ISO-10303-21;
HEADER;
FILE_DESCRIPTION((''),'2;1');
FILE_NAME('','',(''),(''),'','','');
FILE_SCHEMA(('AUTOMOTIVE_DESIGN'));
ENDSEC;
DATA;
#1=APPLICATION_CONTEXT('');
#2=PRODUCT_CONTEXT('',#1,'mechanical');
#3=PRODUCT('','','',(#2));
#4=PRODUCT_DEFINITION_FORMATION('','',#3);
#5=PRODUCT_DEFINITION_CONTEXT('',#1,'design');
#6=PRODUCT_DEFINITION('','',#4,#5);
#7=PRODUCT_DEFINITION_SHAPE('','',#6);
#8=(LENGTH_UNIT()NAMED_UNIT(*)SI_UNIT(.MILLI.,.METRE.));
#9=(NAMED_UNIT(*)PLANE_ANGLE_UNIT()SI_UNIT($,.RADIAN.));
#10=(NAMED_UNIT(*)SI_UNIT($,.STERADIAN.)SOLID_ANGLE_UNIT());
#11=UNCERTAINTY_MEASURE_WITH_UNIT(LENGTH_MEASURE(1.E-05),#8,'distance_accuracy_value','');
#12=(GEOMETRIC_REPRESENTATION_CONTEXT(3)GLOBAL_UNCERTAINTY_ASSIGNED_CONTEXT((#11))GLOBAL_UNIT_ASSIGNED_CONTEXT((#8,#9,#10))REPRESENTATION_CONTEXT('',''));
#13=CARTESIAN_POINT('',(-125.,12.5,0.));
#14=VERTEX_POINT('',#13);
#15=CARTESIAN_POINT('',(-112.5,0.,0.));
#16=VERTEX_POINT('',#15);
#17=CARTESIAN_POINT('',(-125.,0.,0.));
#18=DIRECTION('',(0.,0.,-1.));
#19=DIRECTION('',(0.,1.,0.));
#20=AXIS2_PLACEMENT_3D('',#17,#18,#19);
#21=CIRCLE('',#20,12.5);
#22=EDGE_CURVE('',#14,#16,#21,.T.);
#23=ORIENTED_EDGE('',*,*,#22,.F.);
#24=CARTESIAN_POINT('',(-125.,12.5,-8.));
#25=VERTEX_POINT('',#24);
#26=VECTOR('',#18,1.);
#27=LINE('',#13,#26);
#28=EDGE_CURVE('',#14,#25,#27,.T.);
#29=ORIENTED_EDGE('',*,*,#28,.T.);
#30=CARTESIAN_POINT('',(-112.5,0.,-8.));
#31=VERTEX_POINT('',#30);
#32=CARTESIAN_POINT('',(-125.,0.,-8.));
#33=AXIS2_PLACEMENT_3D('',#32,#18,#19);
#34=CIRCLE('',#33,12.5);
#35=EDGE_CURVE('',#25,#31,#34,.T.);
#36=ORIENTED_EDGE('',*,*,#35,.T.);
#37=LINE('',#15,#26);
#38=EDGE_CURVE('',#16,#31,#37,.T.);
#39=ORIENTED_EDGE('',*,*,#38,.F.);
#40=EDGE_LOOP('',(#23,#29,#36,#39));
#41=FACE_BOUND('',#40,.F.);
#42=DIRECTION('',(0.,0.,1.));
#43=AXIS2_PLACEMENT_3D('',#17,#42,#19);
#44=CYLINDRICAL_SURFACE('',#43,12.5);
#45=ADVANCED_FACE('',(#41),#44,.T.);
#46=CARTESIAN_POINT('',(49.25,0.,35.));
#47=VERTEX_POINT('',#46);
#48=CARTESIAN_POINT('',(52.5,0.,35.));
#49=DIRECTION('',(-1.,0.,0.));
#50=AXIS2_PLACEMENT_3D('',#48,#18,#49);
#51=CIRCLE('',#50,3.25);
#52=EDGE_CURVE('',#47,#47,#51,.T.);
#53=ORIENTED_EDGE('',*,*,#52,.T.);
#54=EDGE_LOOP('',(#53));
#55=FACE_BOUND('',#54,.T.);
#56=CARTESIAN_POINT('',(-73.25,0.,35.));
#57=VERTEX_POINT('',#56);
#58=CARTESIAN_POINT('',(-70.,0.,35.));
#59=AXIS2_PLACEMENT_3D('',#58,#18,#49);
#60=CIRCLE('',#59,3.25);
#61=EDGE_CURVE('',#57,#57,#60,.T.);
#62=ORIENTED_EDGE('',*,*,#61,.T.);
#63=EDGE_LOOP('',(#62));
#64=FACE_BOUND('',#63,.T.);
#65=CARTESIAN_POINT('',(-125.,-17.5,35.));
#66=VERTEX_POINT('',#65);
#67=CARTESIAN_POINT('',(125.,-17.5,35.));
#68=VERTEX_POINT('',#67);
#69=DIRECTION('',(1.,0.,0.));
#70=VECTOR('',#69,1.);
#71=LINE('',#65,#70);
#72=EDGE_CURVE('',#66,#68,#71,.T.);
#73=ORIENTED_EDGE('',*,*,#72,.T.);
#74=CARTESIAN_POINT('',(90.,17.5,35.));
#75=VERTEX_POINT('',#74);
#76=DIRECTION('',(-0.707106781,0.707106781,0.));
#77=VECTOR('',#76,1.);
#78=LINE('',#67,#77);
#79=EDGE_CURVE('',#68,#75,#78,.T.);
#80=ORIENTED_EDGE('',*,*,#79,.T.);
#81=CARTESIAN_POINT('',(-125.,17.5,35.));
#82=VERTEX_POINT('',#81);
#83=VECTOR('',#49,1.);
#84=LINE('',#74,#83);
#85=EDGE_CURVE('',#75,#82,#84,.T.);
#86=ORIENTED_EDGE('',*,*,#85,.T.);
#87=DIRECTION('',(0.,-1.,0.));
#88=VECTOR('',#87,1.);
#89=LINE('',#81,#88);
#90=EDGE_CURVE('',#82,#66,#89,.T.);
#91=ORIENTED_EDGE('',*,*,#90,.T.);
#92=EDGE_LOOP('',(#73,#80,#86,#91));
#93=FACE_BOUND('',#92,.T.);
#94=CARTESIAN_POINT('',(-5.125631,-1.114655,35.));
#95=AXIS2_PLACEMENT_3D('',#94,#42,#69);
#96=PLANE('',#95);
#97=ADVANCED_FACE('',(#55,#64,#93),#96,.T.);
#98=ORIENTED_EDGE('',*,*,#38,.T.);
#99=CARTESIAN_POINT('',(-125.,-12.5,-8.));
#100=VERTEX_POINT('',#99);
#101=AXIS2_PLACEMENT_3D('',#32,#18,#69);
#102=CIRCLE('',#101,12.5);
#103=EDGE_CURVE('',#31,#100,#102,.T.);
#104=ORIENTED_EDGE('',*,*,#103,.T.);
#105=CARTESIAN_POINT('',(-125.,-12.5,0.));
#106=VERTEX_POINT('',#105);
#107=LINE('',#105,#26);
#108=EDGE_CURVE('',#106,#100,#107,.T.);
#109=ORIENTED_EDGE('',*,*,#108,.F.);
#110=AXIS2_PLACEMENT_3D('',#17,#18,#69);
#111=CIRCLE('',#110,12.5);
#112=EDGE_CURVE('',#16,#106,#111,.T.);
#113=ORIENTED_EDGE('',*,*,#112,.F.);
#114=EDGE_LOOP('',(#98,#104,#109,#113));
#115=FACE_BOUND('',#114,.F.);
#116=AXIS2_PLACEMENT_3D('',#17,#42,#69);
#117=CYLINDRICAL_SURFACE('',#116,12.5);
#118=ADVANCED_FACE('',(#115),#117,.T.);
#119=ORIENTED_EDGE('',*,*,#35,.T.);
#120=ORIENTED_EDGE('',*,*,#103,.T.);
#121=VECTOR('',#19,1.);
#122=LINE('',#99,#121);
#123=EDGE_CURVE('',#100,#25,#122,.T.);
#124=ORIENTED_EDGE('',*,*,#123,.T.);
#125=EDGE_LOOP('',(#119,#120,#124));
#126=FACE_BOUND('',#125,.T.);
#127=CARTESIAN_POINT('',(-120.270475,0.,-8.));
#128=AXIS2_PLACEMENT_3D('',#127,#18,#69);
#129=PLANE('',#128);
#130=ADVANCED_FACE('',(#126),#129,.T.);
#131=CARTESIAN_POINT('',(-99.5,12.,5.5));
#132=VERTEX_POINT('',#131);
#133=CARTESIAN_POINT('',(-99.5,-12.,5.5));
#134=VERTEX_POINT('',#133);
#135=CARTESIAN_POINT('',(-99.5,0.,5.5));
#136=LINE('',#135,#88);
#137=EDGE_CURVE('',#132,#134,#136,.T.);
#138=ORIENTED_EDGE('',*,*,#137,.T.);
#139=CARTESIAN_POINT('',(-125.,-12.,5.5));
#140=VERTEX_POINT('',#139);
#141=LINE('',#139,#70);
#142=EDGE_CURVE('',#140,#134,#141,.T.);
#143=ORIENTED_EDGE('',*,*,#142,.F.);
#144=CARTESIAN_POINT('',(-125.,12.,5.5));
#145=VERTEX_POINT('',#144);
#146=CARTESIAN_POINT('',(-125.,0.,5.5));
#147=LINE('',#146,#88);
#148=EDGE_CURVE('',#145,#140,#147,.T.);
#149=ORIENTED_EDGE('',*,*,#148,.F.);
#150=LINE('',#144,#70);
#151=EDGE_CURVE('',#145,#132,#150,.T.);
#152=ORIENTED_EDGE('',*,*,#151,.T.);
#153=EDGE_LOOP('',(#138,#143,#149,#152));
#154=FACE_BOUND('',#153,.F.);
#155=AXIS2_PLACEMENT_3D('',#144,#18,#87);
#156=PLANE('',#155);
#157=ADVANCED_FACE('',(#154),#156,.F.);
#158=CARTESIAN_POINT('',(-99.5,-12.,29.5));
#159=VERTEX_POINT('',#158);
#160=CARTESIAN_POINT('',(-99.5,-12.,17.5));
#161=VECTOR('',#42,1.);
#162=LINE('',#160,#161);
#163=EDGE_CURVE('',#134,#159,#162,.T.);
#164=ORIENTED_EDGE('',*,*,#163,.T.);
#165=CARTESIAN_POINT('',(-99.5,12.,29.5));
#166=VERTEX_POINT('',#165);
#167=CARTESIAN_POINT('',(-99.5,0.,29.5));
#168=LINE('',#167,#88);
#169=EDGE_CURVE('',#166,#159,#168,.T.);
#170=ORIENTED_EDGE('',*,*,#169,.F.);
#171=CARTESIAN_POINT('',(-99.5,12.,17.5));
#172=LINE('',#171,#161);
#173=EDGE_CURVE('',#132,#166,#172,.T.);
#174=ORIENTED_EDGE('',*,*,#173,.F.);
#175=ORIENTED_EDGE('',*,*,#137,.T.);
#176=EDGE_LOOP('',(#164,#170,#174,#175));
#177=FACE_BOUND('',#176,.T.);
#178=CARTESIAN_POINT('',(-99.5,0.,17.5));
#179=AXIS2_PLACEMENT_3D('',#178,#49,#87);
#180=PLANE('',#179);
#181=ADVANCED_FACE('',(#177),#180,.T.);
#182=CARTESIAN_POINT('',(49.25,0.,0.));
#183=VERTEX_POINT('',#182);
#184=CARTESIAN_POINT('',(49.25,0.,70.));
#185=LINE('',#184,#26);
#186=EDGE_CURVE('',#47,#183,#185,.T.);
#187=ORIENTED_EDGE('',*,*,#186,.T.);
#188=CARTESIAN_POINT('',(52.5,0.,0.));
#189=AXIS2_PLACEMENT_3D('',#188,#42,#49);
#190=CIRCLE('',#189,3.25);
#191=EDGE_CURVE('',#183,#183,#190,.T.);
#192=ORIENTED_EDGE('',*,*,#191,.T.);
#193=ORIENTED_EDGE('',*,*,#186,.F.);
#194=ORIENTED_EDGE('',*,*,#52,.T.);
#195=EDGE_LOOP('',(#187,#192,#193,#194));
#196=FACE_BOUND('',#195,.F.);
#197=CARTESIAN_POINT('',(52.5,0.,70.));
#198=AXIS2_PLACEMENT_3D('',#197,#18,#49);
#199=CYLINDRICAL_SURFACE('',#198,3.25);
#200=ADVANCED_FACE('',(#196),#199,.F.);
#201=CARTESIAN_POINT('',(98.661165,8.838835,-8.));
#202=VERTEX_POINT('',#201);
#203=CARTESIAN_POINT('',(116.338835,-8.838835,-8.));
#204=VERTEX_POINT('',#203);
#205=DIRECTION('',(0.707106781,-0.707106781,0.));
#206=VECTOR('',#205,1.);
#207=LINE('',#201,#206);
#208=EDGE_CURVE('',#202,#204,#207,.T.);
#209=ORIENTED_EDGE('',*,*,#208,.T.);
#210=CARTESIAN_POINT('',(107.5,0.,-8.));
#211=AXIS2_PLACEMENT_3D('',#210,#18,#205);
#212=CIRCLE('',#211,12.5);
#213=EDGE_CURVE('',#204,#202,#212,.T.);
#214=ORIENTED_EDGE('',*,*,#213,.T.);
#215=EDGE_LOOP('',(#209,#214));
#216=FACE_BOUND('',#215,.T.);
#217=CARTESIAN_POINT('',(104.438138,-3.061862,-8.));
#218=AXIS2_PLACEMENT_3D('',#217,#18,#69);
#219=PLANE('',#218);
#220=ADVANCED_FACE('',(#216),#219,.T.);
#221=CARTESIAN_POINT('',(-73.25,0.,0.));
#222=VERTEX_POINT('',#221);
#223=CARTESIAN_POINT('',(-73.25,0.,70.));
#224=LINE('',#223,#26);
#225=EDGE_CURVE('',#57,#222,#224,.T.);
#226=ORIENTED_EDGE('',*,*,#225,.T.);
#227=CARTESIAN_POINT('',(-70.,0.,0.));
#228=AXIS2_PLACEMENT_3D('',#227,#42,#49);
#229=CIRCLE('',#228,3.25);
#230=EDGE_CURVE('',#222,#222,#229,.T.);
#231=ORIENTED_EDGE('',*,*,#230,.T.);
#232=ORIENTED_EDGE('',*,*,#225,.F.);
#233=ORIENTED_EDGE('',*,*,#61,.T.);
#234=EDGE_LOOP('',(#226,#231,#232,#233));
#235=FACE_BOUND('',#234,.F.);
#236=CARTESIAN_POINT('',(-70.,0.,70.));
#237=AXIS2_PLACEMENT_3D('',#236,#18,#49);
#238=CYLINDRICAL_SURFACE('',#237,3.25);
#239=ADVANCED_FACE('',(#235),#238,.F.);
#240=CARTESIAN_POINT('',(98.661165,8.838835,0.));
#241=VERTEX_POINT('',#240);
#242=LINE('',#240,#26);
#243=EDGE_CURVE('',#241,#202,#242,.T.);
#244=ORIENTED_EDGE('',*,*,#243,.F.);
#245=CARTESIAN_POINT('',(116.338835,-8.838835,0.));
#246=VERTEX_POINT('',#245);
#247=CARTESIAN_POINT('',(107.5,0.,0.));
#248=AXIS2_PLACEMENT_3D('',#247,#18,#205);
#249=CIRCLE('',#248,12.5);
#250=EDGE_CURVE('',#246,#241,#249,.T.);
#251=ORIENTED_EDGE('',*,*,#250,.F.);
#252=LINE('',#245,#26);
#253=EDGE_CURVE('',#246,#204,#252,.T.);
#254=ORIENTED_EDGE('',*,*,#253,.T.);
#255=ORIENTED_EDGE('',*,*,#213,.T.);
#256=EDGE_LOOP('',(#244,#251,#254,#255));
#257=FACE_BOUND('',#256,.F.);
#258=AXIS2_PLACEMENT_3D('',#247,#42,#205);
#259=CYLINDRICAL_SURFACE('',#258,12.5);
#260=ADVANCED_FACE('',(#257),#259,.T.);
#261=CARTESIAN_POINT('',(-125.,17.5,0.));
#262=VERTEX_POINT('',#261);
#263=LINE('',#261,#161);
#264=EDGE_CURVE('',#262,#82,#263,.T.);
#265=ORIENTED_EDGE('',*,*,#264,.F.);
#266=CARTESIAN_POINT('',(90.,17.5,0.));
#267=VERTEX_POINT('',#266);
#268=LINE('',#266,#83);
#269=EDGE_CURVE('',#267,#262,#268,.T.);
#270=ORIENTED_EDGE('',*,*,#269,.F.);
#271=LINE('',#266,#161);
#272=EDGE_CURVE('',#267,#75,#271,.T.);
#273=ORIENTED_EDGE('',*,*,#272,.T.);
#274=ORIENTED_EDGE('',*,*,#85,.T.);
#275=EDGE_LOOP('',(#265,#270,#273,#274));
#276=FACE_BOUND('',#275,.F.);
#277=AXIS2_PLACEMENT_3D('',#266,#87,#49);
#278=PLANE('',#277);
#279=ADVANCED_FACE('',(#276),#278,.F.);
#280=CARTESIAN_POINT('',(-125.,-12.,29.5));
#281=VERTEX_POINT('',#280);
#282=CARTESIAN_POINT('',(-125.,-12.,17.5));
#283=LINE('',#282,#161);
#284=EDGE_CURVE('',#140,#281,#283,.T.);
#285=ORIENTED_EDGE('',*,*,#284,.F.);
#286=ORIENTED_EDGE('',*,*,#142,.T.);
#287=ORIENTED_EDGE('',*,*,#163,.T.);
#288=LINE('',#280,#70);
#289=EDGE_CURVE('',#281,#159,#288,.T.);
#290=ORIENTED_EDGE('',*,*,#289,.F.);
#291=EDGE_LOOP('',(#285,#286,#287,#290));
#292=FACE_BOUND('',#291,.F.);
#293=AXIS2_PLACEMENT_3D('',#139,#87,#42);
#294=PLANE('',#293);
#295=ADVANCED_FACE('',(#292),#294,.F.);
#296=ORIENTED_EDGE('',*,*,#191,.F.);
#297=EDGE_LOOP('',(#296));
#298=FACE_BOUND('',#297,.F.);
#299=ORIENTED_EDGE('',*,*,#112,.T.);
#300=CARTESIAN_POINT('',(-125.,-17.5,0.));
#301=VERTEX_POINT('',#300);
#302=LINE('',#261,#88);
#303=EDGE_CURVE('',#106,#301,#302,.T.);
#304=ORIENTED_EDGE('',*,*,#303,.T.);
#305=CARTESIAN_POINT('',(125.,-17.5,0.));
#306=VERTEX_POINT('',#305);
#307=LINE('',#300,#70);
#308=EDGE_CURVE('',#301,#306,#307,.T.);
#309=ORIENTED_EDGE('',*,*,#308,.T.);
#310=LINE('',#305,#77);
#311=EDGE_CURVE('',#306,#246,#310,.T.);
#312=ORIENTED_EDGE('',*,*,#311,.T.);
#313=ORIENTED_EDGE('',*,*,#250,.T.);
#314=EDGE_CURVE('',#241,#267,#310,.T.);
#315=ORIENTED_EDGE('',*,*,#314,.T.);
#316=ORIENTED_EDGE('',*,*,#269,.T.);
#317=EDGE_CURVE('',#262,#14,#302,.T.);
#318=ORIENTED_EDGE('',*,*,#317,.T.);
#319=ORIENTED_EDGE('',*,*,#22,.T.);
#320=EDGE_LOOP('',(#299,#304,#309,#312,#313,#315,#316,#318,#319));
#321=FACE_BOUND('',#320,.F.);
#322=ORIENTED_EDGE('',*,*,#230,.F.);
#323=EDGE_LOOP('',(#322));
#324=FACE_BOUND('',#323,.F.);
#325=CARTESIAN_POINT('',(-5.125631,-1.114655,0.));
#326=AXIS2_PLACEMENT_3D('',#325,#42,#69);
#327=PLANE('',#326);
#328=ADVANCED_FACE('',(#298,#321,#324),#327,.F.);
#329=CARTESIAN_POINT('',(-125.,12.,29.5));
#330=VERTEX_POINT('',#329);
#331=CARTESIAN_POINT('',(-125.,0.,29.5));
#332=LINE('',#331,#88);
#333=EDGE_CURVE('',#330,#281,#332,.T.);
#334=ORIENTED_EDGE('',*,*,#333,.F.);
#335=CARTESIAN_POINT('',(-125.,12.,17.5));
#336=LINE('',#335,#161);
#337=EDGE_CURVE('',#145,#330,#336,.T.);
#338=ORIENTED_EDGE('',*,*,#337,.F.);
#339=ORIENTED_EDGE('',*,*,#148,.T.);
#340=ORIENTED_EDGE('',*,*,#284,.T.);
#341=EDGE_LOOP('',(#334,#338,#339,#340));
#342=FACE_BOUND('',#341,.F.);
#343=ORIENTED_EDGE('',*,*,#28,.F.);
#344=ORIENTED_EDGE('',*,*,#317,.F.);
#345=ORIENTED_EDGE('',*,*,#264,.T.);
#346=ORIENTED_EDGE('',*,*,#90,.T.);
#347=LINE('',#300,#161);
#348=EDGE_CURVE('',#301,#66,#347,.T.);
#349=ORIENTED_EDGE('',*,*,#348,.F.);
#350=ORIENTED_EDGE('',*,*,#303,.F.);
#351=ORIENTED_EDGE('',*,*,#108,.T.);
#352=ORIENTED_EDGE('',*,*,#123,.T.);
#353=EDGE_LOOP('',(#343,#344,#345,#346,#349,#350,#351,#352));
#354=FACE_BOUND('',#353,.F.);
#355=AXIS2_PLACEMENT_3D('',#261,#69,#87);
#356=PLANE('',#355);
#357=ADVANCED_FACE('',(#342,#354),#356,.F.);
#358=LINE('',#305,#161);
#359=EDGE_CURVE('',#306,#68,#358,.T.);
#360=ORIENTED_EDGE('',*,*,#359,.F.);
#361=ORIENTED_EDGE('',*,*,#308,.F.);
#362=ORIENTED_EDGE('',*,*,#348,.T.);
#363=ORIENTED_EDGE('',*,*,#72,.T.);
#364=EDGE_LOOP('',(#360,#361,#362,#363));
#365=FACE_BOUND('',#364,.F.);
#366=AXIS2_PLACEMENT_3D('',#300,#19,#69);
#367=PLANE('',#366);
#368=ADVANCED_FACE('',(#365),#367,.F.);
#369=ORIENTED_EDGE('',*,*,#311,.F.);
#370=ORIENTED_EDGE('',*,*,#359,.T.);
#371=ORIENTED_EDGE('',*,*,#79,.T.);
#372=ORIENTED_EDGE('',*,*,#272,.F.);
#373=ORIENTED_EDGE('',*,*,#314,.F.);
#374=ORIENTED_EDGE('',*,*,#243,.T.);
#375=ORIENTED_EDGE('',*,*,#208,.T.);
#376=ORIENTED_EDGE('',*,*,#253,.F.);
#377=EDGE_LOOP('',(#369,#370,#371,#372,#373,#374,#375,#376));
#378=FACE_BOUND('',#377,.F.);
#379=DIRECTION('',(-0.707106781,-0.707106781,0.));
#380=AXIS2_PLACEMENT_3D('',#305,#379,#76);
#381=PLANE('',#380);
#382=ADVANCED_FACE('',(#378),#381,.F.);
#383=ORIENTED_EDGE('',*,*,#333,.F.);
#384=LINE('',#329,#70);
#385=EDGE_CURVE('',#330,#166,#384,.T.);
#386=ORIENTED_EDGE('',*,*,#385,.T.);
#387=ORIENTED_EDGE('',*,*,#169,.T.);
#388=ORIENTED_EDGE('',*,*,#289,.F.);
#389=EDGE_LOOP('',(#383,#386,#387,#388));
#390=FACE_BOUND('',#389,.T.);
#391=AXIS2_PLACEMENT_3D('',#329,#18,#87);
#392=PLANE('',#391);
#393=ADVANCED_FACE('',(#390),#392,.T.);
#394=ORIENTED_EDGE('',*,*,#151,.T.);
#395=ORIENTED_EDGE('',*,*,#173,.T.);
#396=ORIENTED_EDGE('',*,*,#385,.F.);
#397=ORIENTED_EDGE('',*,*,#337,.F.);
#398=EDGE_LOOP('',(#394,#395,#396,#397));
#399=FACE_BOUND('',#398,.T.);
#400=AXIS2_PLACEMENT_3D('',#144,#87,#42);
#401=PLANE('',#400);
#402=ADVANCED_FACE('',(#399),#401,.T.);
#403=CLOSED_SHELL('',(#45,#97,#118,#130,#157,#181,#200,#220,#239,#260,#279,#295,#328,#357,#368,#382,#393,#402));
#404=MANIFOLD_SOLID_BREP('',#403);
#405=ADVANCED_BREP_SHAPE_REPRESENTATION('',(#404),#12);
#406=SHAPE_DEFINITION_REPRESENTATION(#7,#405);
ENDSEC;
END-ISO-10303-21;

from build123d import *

# Parameters (mm, degrees)
F1_DEPTH = 35
F2_W     = 24
F2_H     = 24
F3_DEPTH = 25.5
F5_D     = 6.5
F5_DEPTH = 35
F5_TIP   = 1.9527970118
F7_DEPTH = 8
F9_DEPTH = 8


with BuildPart() as f1:
    # F0 (on Top) → F1 (new body)
    with BuildSketch(Plane.XY):
        Polygon((-125, -17.5), (125, -17.5), (90, 17.5), (-125, 17.5), align=None)
    extrude(amount=F1_DEPTH)

    # F2 (on face) → F3 (cut)
    with BuildSketch(Plane(origin=(-125, 0, 0), x_dir=(0, -1, 0), z_dir=(-1, 0, 0))):
        with Locations((0, 17.5)):
            Rectangle(F2_W, F2_H)
    extrude(amount=-F3_DEPTH, mode=Mode.SUBTRACT)

    # F5
    with Locations(Plane.XY.offset(35)):
        with Locations((52.5, 0), (-70, 0)):
            Hole(F5_D / 2, depth=F5_DEPTH)
            with Locations((0, 0, -(F5_DEPTH + F5_TIP / 2))):  # 118° drill point
                Cone(0, F5_D / 2, F5_TIP, mode=Mode.SUBTRACT)

    # F6 (on face) → F7 (join)
    with BuildSketch(Plane(origin=(0, 0, 0), x_dir=(1, 0, 0), z_dir=(0, 0, -1))):
        with BuildLine():
            Line((98.6611652352, -8.8388347648), (116.3388347648, 8.8388347648))
            ThreePointArc((116.3388347648, 8.8388347648), (98.6611652352, 8.8388347648), (98.6611652352, -8.8388347648))
        make_face()
    extrude(amount=F7_DEPTH)

    # F8 (on face) → F9 (join)
    with BuildSketch(Plane(origin=(0, 0, 0), x_dir=(1, 0, 0), z_dir=(0, 0, -1))):
        with BuildLine():
            ThreePointArc((-125, -12.5), (-116.1611652352, -8.8388347648), (-112.5, 0))
            ThreePointArc((-112.5, 0), (-116.1611652352, 8.8388347648), (-125, 12.5))
            Line((-125, 12.5), (-125, -12.5))
        make_face()
    extrude(amount=F9_DEPTH)


solid = f1.part
